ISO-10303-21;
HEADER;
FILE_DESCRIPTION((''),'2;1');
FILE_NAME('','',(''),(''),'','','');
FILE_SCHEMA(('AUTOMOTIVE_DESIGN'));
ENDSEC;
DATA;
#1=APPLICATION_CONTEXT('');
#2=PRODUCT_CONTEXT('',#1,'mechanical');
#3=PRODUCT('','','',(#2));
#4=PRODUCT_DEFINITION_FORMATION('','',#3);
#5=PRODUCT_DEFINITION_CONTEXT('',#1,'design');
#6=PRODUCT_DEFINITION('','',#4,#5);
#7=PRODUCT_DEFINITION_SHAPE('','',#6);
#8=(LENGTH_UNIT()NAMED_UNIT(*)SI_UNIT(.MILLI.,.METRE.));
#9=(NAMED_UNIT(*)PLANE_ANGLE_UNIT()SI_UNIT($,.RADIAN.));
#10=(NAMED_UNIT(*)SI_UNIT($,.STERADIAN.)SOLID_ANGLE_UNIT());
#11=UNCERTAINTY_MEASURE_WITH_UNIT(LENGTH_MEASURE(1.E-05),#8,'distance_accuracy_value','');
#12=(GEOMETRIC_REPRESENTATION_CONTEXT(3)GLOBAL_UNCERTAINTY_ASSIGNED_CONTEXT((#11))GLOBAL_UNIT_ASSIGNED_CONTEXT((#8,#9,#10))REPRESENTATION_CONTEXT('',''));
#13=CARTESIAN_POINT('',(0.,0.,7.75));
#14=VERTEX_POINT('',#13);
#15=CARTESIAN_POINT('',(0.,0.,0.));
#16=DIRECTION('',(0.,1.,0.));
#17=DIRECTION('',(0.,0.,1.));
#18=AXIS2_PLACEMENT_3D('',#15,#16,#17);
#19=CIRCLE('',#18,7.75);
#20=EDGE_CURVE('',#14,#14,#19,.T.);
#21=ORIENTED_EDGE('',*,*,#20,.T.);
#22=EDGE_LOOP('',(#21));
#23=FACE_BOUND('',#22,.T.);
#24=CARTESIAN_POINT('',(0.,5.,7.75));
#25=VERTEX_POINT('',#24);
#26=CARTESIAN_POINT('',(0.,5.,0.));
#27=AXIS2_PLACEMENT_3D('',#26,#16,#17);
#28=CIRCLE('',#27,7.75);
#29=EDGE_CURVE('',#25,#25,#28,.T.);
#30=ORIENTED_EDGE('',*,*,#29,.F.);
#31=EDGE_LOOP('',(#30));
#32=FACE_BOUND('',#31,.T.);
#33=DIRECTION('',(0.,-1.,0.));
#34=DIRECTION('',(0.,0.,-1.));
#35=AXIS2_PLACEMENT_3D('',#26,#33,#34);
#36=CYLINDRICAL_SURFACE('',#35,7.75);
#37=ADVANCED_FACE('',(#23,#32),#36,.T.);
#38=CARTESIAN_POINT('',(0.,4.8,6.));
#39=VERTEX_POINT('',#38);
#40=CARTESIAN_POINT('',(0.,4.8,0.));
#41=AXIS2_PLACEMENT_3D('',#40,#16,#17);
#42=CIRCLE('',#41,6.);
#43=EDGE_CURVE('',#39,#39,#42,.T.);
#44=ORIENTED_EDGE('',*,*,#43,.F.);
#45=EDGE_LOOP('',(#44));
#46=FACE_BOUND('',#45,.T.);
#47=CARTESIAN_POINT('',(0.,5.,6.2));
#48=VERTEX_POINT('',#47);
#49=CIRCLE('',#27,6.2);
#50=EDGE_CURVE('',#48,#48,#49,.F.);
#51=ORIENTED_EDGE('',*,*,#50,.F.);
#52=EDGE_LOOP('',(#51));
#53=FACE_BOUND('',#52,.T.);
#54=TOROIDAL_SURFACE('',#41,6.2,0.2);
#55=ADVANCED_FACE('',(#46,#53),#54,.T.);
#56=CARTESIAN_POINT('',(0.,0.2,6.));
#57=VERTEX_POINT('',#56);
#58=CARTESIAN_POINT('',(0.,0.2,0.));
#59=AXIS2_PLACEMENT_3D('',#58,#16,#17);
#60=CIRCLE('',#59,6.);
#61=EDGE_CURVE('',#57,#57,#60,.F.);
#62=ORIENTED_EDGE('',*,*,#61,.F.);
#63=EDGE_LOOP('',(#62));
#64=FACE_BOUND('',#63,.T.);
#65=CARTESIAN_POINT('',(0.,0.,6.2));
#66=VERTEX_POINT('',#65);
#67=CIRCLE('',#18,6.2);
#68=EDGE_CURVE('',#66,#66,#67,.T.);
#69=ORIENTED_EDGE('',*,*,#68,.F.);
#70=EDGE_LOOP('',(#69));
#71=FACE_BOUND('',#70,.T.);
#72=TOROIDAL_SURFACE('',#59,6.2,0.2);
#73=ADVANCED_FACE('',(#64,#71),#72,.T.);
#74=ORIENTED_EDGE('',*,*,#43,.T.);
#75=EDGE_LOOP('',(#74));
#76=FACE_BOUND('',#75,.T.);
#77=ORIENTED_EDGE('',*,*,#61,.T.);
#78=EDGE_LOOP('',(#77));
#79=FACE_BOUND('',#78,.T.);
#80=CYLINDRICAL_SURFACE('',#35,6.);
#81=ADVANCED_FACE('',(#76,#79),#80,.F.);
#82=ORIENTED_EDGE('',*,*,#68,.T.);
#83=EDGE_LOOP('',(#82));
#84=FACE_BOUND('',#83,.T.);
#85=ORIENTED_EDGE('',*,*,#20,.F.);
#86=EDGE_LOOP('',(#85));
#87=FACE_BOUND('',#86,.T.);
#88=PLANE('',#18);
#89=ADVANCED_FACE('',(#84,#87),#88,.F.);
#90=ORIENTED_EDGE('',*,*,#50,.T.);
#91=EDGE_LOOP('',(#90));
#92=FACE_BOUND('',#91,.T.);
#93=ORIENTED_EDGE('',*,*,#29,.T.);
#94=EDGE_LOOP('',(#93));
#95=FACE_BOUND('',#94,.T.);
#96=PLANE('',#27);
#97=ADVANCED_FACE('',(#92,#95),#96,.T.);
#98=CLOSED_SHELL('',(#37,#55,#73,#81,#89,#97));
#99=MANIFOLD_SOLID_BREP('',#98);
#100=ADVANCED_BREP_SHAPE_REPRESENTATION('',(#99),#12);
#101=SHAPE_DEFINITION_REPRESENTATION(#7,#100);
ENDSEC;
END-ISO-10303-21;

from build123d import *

# Parameters (mm, degrees)
SKETCH1_R           = 7.75
SKETCH1_R_2         = 6
BOSS_EXTRUDE1_DEPTH = 5
FILLET1_R           = 0.2


with BuildPart() as part:
    # Sketch1 → Boss-Extrude1 (new body)
    with BuildSketch(Plane(origin=(0, 0, 0), x_dir=(1, 0, 0), z_dir=(0, 1, 0))):
        Circle(SKETCH1_R)
        Circle(SKETCH1_R_2, mode=Mode.SUBTRACT)
    extrude(amount=BOSS_EXTRUDE1_DEPTH)

    # Fillet1
    fillet1_edges = [part.edges().sort_by_distance(p)[0] for p in [
        (-6, 0, 0),
        (-6, 5, 0),
    ]]
    fillet(fillet1_edges, radius=FILLET1_R)


solid = part.part
